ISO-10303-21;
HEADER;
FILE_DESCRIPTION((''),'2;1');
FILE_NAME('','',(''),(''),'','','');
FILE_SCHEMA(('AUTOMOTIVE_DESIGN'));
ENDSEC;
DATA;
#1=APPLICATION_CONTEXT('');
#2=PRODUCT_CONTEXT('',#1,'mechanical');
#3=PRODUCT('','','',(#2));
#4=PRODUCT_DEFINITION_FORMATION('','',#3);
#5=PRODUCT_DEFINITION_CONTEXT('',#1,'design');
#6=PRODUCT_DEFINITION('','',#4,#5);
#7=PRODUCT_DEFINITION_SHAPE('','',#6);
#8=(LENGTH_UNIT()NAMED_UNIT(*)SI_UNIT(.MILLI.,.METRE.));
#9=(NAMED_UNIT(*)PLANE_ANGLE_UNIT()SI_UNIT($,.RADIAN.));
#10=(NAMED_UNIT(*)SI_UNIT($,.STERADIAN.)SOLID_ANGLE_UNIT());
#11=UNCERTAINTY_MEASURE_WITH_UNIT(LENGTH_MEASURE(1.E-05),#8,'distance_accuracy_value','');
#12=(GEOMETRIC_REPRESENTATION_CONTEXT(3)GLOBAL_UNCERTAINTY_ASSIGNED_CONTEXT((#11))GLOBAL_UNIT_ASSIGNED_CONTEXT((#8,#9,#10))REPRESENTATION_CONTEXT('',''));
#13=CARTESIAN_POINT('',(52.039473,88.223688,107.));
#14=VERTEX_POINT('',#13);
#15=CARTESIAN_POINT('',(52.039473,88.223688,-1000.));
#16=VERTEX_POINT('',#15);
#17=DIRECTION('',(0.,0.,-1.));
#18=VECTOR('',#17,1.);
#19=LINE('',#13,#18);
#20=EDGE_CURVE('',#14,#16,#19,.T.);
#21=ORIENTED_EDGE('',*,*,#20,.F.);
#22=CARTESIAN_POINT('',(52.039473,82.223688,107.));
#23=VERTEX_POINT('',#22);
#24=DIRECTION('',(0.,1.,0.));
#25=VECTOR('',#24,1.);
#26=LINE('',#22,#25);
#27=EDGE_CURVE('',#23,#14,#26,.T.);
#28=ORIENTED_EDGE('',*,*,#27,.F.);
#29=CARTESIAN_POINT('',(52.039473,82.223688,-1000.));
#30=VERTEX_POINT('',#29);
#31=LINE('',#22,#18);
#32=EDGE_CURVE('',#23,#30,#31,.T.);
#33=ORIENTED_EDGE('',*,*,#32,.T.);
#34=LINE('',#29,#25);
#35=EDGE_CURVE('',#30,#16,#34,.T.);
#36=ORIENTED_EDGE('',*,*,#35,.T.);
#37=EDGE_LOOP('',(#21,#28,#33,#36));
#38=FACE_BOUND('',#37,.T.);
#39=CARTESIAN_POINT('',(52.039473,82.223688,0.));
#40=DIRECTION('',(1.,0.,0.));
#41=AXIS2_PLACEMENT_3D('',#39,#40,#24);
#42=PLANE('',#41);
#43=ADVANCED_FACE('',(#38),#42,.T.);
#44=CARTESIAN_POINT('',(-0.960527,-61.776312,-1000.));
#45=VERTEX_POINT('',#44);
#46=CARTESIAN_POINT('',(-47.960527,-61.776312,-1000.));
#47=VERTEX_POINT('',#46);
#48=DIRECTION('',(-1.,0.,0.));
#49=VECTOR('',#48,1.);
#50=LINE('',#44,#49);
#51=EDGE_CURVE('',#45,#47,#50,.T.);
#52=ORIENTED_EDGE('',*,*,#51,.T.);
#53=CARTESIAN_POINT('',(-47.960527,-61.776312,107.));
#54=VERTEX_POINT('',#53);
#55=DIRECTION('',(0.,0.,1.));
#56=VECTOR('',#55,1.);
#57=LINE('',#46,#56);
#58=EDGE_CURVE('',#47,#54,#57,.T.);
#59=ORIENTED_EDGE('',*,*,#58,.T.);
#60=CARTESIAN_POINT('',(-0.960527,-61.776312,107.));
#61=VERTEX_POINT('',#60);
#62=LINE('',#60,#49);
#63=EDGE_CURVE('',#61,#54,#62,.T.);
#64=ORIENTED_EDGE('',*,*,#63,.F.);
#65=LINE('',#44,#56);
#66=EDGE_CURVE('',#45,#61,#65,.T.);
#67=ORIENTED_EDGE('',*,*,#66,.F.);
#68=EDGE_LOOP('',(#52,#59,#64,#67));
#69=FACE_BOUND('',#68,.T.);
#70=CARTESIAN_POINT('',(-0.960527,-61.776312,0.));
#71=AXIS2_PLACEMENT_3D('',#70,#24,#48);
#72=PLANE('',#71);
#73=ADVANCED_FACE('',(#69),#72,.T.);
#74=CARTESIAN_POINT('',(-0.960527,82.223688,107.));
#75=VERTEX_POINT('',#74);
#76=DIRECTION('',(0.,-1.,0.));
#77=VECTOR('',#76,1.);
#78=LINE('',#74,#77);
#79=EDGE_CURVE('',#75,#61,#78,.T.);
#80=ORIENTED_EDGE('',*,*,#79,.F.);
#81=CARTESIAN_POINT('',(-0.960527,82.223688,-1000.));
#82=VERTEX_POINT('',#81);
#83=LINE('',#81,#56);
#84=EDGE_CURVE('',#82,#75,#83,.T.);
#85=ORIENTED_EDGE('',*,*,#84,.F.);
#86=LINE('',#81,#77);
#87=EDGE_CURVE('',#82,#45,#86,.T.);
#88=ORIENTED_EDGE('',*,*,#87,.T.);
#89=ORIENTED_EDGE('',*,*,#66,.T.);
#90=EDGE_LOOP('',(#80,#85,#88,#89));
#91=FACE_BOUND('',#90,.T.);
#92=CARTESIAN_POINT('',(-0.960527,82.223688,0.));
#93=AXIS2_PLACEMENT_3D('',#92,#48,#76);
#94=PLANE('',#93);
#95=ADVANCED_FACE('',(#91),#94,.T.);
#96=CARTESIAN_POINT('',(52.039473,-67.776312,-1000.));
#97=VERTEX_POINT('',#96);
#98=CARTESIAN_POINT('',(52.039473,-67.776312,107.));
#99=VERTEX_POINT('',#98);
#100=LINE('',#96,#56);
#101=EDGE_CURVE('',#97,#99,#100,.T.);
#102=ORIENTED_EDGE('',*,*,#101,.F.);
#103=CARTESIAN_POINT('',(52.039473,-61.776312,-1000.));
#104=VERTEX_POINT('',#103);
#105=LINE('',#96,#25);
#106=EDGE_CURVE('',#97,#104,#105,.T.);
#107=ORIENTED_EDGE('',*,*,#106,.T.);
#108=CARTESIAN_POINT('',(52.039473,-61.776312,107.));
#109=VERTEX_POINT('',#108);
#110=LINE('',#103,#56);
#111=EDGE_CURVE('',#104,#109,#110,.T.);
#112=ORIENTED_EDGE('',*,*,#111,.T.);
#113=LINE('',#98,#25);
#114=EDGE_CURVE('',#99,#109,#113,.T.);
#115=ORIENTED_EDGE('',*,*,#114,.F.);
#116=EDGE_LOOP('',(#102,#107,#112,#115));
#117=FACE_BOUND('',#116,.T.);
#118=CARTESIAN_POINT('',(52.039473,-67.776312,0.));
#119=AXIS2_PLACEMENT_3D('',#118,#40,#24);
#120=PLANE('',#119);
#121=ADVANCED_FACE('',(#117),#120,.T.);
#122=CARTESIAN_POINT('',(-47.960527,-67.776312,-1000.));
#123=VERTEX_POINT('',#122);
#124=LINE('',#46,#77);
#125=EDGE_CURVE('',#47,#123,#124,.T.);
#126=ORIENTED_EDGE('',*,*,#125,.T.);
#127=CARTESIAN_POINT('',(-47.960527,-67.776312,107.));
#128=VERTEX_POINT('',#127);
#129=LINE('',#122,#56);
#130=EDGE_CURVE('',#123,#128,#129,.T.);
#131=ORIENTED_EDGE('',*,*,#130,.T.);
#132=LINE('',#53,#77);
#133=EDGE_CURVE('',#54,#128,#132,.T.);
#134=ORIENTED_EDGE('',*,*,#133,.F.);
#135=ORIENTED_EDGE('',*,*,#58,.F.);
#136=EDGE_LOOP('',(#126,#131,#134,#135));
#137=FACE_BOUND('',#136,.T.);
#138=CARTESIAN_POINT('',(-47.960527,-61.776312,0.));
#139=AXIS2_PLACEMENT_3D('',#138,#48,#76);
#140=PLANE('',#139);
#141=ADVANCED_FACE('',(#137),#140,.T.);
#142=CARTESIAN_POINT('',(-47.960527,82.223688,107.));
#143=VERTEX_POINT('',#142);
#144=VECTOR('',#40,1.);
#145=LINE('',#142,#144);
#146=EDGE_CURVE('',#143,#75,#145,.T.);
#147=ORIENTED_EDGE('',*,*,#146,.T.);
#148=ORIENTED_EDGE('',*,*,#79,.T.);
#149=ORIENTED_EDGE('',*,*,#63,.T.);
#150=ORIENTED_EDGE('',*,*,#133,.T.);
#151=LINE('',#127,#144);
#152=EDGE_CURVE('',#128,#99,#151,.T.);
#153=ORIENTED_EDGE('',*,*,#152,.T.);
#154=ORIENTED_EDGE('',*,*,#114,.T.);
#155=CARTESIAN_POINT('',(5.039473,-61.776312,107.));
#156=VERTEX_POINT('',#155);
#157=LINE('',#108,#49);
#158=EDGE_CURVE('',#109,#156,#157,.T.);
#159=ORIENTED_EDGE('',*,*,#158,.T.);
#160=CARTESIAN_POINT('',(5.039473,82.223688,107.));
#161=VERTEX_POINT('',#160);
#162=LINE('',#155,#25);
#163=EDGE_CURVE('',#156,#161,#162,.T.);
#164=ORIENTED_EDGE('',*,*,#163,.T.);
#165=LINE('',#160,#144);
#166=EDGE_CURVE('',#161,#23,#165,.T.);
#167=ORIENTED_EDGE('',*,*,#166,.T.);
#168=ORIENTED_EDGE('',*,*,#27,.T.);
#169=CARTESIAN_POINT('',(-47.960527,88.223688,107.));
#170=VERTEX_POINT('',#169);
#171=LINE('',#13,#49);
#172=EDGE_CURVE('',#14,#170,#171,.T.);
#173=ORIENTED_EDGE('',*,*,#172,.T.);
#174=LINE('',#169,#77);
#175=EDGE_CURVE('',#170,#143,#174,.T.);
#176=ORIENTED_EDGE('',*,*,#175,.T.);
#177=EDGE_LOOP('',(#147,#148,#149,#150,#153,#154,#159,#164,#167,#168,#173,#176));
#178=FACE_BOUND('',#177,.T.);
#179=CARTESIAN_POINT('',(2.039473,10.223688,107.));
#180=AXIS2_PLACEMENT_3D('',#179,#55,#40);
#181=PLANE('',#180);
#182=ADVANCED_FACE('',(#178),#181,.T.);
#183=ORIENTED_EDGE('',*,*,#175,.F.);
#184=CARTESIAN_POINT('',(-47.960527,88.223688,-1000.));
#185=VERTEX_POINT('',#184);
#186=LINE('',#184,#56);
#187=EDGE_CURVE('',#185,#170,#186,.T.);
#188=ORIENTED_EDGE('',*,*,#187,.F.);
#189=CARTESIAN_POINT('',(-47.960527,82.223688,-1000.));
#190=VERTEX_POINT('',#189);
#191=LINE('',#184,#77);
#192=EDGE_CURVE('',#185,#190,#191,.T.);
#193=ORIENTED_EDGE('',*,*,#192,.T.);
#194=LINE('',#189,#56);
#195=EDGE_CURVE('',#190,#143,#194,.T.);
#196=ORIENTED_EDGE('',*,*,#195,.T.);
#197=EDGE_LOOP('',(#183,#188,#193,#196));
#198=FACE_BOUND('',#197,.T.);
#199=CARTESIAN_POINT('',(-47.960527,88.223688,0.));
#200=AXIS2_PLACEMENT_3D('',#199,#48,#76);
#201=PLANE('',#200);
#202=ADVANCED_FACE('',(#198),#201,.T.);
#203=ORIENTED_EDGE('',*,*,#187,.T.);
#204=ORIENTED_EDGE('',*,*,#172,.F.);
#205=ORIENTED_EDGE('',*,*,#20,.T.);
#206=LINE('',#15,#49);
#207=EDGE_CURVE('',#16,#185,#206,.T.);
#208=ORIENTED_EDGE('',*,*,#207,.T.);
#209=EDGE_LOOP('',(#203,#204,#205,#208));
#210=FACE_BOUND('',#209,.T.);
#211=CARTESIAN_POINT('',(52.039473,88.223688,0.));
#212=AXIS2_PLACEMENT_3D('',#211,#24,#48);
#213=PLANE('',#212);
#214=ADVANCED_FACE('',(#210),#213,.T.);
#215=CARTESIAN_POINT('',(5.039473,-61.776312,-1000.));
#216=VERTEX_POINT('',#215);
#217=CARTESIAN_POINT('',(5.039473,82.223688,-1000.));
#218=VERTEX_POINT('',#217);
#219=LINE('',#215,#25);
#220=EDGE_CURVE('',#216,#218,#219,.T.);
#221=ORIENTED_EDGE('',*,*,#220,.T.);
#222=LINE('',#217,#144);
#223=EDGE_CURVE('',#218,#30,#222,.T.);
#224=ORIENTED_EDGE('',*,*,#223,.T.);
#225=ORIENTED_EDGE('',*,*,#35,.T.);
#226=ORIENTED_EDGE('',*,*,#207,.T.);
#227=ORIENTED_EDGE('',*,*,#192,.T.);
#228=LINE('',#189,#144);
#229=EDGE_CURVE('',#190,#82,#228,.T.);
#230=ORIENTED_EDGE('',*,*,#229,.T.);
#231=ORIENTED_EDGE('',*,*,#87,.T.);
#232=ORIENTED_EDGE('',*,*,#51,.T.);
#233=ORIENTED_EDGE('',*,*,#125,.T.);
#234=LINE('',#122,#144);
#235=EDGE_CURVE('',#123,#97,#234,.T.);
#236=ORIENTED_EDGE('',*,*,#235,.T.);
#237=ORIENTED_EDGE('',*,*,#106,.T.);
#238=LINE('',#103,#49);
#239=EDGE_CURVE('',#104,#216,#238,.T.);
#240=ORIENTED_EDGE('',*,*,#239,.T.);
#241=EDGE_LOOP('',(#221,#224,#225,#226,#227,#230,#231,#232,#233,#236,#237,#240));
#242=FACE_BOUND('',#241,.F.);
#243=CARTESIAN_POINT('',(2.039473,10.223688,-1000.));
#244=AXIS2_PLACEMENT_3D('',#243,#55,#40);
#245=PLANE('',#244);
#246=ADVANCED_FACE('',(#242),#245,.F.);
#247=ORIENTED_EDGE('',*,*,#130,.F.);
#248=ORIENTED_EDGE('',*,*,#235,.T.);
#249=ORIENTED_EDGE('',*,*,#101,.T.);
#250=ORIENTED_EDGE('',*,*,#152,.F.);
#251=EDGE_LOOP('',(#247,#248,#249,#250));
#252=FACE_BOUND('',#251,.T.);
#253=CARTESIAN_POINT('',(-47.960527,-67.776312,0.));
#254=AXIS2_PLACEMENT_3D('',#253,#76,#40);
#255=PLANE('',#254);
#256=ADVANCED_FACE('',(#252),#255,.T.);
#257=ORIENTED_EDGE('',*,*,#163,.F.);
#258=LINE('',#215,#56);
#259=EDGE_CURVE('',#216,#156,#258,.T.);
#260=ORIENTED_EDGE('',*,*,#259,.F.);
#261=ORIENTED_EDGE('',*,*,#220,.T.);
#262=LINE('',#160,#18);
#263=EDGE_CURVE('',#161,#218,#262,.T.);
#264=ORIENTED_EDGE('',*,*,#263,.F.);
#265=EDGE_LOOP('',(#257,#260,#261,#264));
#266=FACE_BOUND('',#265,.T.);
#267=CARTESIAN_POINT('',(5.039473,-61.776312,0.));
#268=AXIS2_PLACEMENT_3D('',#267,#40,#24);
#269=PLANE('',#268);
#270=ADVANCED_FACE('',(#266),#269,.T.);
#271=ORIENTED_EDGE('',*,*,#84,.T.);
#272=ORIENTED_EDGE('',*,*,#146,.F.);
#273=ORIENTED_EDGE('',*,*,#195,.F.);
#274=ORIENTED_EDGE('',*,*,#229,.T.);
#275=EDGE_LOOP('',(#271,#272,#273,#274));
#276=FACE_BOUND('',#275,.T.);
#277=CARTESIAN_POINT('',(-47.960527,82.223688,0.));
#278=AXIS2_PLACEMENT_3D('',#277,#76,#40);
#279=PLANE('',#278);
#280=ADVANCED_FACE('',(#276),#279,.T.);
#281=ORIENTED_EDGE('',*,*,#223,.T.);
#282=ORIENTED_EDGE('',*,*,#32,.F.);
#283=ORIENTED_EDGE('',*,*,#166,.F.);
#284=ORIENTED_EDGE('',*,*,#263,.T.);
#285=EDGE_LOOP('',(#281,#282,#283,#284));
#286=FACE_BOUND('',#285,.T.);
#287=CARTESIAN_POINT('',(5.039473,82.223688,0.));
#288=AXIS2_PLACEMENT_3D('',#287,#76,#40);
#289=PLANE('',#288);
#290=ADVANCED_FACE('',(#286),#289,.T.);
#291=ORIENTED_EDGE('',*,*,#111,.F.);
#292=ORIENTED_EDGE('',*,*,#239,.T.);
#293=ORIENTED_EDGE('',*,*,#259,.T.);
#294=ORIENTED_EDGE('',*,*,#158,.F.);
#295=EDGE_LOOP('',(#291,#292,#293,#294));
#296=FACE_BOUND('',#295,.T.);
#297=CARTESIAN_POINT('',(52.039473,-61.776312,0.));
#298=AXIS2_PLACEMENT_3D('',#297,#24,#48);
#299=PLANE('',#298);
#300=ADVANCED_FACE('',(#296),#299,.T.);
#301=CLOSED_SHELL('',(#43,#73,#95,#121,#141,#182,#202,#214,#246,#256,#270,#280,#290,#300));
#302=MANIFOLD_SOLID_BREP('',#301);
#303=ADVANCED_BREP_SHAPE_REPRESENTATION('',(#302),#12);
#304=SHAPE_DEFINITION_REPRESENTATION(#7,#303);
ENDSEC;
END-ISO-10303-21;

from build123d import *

# Parameters (mm, degrees)
F1_DEPTH      = 107
F1_DEPTH_BACK = 1000


with BuildPart() as f1:
    # F0 (on Top) → F1 (new body, two sides)
    with BuildSketch(Plane.XY) as f1_sk:
        Polygon((52.039473, 88.223688), (-47.960527, 88.223688), (-47.960527, 82.223688), (-0.960527, 82.223688), (-0.960527, -61.776312), (-47.960527, -61.776312), (-47.960527, -67.776312), (52.039473, -67.776312), (52.039473, -61.776312), (5.039473, -61.776312), (5.039473, 82.223688), (52.039473, 82.223688), align=None)
    extrude(amount=F1_DEPTH)
    extrude(f1_sk.sketch, amount=-F1_DEPTH_BACK)


solid = f1.part
